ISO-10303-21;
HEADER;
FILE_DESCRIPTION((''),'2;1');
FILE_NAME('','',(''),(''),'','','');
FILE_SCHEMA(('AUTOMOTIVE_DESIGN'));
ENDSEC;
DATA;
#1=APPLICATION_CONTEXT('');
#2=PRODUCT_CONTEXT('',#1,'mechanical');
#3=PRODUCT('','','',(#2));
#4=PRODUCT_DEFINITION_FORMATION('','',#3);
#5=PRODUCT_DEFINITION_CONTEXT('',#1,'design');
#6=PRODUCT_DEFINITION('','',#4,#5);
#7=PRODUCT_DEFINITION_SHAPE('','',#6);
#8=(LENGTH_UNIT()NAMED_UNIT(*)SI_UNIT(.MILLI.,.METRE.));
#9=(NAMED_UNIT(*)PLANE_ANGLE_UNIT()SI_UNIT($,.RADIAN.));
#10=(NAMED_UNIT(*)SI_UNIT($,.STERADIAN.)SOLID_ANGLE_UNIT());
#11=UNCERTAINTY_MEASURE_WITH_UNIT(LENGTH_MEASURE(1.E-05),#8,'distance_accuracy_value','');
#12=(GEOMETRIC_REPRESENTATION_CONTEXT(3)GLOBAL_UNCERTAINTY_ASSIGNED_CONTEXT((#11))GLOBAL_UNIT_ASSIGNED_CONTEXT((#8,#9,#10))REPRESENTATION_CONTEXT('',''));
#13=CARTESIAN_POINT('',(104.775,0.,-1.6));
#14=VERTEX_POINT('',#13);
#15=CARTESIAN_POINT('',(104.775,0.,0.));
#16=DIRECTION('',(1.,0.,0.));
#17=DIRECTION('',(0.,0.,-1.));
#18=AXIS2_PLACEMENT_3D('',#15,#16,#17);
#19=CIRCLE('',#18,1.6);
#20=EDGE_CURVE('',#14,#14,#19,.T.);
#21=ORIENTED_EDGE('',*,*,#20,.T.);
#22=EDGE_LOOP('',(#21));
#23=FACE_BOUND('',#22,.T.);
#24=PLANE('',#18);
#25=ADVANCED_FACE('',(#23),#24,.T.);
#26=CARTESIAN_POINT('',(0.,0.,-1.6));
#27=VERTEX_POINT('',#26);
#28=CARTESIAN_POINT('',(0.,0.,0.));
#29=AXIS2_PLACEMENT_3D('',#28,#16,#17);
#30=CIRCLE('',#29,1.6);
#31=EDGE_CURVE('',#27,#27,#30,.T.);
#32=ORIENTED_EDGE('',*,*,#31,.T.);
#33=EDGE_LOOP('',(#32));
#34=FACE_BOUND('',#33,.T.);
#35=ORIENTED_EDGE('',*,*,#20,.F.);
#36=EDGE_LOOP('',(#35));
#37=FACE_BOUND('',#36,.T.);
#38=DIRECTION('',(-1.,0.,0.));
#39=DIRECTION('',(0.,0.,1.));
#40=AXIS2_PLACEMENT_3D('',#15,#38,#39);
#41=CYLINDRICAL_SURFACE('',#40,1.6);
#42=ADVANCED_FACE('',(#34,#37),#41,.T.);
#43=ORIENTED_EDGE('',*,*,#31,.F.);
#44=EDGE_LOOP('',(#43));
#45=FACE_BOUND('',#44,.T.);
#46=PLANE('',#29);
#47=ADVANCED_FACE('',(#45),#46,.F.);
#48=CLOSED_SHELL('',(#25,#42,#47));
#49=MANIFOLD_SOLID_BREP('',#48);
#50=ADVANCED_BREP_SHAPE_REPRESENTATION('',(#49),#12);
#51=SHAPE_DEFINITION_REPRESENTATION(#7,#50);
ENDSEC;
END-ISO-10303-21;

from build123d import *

# Parameters (mm, degrees)
SKETCH2_R          = 1.6
BASE_EXTRUDE_DEPTH = 104.775


with BuildPart() as part:
    # Sketch2 → Base-Extrude (new body)
    with BuildSketch(Plane(origin=(0, 0, 0), x_dir=(0, 0, -1), z_dir=(1, 0, 0))):
        Circle(SKETCH2_R)
    extrude(amount=BASE_EXTRUDE_DEPTH)


solid = part.part
